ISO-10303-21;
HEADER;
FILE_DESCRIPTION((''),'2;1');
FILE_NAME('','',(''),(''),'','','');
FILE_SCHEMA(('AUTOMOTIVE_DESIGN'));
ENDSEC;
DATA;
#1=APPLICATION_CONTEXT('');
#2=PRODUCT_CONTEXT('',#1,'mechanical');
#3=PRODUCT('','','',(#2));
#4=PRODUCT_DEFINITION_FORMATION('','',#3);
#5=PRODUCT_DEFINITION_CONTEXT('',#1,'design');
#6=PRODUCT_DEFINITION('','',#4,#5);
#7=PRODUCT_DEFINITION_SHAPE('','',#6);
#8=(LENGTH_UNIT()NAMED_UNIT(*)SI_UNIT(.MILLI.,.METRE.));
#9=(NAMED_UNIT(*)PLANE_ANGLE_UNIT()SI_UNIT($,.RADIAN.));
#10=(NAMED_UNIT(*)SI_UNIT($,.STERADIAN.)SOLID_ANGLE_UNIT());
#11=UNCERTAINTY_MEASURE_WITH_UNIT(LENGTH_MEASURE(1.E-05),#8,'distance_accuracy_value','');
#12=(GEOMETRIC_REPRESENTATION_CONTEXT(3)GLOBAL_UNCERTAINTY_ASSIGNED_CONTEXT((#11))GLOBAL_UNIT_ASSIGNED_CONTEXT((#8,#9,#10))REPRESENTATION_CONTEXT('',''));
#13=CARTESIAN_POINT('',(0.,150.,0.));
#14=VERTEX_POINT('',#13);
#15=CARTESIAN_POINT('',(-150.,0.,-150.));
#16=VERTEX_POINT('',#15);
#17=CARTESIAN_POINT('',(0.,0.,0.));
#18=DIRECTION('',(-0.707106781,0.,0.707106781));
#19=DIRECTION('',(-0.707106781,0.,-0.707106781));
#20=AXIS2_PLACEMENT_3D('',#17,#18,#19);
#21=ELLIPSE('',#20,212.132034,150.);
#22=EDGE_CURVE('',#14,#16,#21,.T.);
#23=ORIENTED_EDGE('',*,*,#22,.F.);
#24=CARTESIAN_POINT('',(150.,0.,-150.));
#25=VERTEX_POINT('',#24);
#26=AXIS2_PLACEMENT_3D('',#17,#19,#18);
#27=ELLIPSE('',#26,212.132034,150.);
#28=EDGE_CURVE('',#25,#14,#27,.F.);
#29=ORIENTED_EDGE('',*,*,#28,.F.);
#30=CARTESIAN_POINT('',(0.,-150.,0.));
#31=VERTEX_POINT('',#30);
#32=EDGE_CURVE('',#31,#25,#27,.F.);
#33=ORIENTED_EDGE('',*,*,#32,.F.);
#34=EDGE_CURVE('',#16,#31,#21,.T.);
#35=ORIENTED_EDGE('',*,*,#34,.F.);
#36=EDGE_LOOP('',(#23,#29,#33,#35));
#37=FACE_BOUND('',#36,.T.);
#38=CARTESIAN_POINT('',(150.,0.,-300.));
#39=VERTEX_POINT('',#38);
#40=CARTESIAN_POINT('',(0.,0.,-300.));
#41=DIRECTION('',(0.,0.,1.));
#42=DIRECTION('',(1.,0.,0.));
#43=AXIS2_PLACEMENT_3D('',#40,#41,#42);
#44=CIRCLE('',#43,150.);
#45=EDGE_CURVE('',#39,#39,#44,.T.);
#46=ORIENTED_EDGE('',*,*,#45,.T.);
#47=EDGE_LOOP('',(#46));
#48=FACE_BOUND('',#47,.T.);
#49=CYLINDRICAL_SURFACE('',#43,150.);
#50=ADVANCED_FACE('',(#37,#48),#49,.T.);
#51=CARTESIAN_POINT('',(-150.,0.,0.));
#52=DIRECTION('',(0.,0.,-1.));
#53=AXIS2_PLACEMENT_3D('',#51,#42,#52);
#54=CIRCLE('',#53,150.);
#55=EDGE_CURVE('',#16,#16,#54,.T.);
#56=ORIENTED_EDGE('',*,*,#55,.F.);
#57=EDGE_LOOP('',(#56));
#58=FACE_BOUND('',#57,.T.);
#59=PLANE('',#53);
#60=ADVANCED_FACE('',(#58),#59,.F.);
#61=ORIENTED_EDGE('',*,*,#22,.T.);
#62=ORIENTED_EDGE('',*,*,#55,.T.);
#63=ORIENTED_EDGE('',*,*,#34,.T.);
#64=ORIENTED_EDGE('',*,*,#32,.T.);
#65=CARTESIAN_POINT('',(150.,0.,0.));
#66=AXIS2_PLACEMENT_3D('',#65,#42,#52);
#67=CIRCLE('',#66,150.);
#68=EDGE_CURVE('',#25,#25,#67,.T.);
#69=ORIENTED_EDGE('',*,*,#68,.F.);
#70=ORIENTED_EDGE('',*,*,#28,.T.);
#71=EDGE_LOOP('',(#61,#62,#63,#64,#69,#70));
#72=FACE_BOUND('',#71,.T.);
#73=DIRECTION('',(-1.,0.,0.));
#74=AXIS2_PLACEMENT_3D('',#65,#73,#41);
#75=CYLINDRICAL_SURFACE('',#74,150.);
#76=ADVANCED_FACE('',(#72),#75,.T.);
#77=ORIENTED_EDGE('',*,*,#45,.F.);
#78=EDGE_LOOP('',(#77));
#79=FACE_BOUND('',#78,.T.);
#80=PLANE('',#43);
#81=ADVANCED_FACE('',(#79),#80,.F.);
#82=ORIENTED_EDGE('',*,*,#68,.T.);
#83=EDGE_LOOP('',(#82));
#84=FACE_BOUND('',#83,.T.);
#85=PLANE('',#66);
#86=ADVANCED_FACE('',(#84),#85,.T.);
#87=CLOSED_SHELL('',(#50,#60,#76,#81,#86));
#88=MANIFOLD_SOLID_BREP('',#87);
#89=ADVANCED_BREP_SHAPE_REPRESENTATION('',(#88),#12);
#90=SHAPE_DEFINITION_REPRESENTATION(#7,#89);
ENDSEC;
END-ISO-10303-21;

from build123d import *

# Parameters (mm, degrees)
SKETCH_1_R      = 150
EXTRUDE_1_DEPTH = 150
SKETCH_2_R      = 150
EXTRUDE_2_DEPTH = 300


with BuildPart() as part:
    # 草图1 → 凸台-拉伸1 (new, symmetric)
    with BuildSketch(Plane(origin=(0, 0, 0), x_dir=(0, 0, -1), z_dir=(1, 0, 0))):
        Circle(SKETCH_1_R)
    extrude(amount=EXTRUDE_1_DEPTH, both=True)

    # 草图2 → 凸台-拉伸2 (add)
    with BuildSketch(Plane.XY):
        Circle(SKETCH_2_R)
    extrude(amount=-EXTRUDE_2_DEPTH)


solid = part.part
